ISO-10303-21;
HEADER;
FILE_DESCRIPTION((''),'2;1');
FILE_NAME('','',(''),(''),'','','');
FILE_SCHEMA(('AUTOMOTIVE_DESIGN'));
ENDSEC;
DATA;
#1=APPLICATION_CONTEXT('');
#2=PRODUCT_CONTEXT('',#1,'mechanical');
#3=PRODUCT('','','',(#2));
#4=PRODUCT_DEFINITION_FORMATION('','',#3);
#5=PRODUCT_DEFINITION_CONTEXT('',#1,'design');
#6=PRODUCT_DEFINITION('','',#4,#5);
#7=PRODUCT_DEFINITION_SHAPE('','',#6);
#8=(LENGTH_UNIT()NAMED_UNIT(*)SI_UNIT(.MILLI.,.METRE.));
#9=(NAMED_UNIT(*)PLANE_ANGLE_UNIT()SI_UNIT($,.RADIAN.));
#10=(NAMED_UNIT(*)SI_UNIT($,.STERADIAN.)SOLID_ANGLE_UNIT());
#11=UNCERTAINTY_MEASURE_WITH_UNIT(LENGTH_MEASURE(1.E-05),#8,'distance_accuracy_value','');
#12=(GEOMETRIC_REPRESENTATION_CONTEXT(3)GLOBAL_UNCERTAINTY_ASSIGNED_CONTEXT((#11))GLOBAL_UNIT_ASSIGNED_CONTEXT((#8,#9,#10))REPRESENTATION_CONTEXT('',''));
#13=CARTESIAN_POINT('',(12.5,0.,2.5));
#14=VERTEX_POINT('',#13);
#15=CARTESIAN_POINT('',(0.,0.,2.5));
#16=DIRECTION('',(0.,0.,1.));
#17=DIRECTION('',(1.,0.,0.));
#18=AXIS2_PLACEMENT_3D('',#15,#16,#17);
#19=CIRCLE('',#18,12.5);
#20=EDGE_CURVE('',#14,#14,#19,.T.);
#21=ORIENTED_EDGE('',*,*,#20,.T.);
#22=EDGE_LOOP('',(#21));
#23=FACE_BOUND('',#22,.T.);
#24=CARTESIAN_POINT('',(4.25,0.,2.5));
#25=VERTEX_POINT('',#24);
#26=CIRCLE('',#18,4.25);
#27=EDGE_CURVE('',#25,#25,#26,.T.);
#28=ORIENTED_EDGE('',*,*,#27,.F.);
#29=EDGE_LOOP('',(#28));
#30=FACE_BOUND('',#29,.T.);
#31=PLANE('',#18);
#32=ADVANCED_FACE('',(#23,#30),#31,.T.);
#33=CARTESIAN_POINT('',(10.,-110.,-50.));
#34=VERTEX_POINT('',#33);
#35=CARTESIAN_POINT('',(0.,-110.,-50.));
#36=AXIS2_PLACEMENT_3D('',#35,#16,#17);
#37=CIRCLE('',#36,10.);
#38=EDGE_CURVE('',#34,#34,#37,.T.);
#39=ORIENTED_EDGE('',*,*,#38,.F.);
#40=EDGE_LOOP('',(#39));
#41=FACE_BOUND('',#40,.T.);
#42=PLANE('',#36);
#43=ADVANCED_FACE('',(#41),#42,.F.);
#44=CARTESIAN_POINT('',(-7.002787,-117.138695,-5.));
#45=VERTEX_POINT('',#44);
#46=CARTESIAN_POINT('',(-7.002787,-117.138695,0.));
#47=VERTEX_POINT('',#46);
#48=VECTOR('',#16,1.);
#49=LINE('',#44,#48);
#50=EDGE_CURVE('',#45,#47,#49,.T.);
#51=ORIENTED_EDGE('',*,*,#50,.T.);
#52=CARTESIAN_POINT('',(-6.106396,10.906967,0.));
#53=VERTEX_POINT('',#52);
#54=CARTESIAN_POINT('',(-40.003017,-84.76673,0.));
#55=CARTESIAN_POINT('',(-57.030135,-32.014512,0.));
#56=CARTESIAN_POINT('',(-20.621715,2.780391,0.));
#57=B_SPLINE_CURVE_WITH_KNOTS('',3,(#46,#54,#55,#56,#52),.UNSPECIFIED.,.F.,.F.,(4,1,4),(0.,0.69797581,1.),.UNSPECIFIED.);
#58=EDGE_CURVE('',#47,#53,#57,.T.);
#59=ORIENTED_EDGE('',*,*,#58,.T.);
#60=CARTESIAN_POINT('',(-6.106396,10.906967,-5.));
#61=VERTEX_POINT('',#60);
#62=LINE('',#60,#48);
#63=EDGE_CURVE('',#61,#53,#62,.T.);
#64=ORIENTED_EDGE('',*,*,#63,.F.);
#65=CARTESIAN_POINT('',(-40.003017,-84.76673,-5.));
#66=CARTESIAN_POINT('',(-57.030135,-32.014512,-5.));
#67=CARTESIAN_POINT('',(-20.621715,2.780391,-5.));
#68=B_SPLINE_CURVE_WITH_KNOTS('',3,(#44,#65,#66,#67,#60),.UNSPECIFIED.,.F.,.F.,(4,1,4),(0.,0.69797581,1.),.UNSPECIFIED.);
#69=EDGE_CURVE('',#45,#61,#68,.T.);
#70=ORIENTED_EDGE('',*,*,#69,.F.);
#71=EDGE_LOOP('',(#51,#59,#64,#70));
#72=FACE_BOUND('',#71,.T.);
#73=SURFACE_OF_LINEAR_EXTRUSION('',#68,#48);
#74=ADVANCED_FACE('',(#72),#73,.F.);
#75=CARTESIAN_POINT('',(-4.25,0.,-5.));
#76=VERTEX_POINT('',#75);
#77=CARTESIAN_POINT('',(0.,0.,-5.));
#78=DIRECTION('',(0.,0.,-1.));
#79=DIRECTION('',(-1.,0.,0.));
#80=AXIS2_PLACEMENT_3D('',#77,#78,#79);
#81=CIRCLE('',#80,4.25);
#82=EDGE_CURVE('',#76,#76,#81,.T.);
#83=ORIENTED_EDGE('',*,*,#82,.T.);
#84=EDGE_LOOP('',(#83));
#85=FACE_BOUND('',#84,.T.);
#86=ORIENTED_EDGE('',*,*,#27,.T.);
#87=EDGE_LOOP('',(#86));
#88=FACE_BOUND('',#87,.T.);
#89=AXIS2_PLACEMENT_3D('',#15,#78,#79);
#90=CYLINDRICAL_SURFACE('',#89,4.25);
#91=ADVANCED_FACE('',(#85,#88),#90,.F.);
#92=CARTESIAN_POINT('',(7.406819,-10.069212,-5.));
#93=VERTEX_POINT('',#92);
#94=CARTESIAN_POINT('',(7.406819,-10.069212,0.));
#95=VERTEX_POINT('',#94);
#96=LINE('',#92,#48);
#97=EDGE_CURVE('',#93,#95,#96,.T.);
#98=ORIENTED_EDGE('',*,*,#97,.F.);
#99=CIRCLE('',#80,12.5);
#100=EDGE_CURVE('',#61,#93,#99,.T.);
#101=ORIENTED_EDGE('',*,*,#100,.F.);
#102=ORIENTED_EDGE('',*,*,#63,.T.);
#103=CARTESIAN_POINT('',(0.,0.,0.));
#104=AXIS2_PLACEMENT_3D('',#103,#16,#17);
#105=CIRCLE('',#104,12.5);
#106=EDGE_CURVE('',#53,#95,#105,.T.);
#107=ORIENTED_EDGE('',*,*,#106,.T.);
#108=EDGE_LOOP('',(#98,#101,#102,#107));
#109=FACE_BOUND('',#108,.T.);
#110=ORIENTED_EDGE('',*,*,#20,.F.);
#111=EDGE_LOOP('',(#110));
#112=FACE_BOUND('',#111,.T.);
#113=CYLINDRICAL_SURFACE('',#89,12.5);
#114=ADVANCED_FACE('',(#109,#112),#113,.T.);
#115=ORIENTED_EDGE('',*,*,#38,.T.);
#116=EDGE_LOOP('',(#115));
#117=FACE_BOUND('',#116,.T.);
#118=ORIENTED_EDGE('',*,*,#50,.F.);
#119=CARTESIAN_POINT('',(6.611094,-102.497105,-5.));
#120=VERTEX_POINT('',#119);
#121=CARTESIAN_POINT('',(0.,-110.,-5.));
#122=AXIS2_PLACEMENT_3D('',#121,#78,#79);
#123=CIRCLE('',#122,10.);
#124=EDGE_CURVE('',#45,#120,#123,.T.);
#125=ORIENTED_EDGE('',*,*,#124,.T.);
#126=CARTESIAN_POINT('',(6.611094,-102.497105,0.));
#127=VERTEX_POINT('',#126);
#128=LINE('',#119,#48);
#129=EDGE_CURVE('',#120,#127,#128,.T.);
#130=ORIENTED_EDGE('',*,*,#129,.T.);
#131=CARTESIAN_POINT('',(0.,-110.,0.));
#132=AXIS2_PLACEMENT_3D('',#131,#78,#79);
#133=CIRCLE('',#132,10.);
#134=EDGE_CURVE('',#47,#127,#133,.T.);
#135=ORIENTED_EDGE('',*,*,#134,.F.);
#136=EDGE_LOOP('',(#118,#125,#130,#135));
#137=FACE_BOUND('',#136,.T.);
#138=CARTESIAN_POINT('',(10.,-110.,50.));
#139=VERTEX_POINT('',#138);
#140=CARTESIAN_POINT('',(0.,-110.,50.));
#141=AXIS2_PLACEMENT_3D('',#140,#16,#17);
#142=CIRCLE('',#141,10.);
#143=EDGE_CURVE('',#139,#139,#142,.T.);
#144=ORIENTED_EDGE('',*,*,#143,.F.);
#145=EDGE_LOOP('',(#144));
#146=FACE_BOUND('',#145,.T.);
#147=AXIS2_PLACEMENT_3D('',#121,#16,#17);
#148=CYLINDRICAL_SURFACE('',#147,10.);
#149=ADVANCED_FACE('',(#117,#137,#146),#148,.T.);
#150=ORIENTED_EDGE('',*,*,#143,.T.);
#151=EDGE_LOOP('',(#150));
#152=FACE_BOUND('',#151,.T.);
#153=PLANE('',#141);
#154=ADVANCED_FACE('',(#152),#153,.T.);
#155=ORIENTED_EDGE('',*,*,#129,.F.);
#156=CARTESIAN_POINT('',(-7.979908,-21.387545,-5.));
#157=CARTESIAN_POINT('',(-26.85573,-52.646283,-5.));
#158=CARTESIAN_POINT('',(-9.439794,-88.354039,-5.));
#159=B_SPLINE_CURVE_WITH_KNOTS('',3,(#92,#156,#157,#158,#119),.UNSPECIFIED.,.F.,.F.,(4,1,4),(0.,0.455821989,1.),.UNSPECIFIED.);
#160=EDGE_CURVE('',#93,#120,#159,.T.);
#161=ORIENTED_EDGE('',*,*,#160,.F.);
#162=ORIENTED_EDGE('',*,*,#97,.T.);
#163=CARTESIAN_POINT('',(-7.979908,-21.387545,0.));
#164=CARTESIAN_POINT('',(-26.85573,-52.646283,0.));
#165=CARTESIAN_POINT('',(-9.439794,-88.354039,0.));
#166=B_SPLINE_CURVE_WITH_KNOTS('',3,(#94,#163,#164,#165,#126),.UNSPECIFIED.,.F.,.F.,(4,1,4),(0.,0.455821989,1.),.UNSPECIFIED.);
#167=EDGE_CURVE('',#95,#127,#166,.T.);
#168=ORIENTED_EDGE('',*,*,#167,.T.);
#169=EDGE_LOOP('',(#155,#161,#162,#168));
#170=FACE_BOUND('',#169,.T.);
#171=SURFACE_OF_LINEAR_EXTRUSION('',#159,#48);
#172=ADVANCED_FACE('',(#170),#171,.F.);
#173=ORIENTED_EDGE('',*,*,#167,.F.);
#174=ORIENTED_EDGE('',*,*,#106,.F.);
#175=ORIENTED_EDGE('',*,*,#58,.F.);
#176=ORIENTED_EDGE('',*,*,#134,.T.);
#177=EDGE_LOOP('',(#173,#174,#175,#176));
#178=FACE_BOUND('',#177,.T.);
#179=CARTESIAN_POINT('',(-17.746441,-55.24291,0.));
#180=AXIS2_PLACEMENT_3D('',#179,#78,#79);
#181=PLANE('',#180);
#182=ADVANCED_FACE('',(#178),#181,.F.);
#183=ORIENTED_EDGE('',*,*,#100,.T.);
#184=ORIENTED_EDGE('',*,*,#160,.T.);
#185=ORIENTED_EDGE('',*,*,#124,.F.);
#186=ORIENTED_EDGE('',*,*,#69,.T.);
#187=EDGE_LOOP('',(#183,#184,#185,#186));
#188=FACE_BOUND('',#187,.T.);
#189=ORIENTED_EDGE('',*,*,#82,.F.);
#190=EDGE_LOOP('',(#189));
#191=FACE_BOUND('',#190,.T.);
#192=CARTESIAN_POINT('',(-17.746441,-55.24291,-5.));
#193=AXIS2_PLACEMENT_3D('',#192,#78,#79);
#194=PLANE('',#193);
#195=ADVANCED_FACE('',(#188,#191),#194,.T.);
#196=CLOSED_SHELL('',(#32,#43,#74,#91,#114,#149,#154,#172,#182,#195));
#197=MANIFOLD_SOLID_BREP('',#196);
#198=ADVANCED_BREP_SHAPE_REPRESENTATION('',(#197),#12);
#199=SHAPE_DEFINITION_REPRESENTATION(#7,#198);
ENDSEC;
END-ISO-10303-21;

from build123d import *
from build123d.topology import SkipClean

# Parameters (mm, degrees)
SKETCH1_R                = 12.5
SKETCH1_R_2              = 4.25
BOSS_EXTRUDE1_DEPTH      = 2.5
BOSS_EXTRUDE2_START      = 5
BOSS_EXTRUDE2_DEPTH      = 5
BOSS_EXTRUDE3_DEPTH      = 50
BOSS_EXTRUDE3_DEPTH_BACK = 50
SKETCH3_R                = 10
CUT_EXTRUDE1_START       = -40
SKETCH4_R                = 4.25
CUT_EXTRUDE1_DEPTH       = 40


with BuildPart() as part:
    # Sketch1 → Boss-Extrude1 (new body)
    with BuildSketch(Plane.XY):
        Circle(SKETCH1_R)
        Circle(SKETCH1_R_2, mode=Mode.SUBTRACT)
    extrude(amount=BOSS_EXTRUDE1_DEPTH)

    # Sketch2 → Boss-Extrude2 (add)
    with SkipClean():  # the faces are left unmerged after this step: merging them gives an invalid solid
        with BuildSketch(Plane(origin=(0, 0, 0), x_dir=(-1, 0, 0), z_dir=(0, 0, -1)).offset(BOSS_EXTRUDE2_START)):
            with BuildLine():
                ThreePointArc((-6.611094261, -102.497105047), (-7.323414251, -116.809376161), (7.00278738, -117.138695182))
                add(Edge.make_bspline(
                    [(6.106396375, 10.906966733), (20.621715475, 2.78039093), (57.030134585, -32.014511607), (40.003016754, -84.766730291), (7.00278738, -117.138695182)],
                    knots=[0, 0, 0, 0, 0.30202419, 1, 1, 1, 1], degree=3))
                ThreePointArc((6.106396375, 10.906966733), (-10.50822507, 6.769579446), (-7.406819033, -10.069212075))
                add(Edge.make_bspline(
                    [(-7.406819033, -10.069212075), (7.979907505, -21.387545439), (26.855730435, -52.646283336), (9.439793984, -88.354039493), (-6.611094261, -102.497105047)],
                    knots=[0, 0, 0, 0, 0.455821989, 1, 1, 1, 1], degree=3))
            make_face()
        extrude(amount=-BOSS_EXTRUDE2_DEPTH)

    # Sketch3 → Boss-Extrude3 (add, two sides: drawn at the far end of the back side and taken through both)
    with SkipClean():  # the faces are left unmerged after this step: merging them gives an invalid solid
        with BuildSketch(Plane.XY.offset(-BOSS_EXTRUDE3_DEPTH_BACK)):
            with Locations((0, -110)):
                Circle(SKETCH3_R)
        extrude(amount=BOSS_EXTRUDE3_DEPTH + BOSS_EXTRUDE3_DEPTH_BACK)

    # Sketch4 → Cut-Extrude1 (cut)
    with SkipClean():  # the faces are left unmerged after this step: merging them gives an invalid solid
        with BuildSketch(Plane.XY.offset(CUT_EXTRUDE1_START)):
            Circle(SKETCH4_R)
        extrude(amount=CUT_EXTRUDE1_DEPTH, mode=Mode.SUBTRACT)


solid = part.part
